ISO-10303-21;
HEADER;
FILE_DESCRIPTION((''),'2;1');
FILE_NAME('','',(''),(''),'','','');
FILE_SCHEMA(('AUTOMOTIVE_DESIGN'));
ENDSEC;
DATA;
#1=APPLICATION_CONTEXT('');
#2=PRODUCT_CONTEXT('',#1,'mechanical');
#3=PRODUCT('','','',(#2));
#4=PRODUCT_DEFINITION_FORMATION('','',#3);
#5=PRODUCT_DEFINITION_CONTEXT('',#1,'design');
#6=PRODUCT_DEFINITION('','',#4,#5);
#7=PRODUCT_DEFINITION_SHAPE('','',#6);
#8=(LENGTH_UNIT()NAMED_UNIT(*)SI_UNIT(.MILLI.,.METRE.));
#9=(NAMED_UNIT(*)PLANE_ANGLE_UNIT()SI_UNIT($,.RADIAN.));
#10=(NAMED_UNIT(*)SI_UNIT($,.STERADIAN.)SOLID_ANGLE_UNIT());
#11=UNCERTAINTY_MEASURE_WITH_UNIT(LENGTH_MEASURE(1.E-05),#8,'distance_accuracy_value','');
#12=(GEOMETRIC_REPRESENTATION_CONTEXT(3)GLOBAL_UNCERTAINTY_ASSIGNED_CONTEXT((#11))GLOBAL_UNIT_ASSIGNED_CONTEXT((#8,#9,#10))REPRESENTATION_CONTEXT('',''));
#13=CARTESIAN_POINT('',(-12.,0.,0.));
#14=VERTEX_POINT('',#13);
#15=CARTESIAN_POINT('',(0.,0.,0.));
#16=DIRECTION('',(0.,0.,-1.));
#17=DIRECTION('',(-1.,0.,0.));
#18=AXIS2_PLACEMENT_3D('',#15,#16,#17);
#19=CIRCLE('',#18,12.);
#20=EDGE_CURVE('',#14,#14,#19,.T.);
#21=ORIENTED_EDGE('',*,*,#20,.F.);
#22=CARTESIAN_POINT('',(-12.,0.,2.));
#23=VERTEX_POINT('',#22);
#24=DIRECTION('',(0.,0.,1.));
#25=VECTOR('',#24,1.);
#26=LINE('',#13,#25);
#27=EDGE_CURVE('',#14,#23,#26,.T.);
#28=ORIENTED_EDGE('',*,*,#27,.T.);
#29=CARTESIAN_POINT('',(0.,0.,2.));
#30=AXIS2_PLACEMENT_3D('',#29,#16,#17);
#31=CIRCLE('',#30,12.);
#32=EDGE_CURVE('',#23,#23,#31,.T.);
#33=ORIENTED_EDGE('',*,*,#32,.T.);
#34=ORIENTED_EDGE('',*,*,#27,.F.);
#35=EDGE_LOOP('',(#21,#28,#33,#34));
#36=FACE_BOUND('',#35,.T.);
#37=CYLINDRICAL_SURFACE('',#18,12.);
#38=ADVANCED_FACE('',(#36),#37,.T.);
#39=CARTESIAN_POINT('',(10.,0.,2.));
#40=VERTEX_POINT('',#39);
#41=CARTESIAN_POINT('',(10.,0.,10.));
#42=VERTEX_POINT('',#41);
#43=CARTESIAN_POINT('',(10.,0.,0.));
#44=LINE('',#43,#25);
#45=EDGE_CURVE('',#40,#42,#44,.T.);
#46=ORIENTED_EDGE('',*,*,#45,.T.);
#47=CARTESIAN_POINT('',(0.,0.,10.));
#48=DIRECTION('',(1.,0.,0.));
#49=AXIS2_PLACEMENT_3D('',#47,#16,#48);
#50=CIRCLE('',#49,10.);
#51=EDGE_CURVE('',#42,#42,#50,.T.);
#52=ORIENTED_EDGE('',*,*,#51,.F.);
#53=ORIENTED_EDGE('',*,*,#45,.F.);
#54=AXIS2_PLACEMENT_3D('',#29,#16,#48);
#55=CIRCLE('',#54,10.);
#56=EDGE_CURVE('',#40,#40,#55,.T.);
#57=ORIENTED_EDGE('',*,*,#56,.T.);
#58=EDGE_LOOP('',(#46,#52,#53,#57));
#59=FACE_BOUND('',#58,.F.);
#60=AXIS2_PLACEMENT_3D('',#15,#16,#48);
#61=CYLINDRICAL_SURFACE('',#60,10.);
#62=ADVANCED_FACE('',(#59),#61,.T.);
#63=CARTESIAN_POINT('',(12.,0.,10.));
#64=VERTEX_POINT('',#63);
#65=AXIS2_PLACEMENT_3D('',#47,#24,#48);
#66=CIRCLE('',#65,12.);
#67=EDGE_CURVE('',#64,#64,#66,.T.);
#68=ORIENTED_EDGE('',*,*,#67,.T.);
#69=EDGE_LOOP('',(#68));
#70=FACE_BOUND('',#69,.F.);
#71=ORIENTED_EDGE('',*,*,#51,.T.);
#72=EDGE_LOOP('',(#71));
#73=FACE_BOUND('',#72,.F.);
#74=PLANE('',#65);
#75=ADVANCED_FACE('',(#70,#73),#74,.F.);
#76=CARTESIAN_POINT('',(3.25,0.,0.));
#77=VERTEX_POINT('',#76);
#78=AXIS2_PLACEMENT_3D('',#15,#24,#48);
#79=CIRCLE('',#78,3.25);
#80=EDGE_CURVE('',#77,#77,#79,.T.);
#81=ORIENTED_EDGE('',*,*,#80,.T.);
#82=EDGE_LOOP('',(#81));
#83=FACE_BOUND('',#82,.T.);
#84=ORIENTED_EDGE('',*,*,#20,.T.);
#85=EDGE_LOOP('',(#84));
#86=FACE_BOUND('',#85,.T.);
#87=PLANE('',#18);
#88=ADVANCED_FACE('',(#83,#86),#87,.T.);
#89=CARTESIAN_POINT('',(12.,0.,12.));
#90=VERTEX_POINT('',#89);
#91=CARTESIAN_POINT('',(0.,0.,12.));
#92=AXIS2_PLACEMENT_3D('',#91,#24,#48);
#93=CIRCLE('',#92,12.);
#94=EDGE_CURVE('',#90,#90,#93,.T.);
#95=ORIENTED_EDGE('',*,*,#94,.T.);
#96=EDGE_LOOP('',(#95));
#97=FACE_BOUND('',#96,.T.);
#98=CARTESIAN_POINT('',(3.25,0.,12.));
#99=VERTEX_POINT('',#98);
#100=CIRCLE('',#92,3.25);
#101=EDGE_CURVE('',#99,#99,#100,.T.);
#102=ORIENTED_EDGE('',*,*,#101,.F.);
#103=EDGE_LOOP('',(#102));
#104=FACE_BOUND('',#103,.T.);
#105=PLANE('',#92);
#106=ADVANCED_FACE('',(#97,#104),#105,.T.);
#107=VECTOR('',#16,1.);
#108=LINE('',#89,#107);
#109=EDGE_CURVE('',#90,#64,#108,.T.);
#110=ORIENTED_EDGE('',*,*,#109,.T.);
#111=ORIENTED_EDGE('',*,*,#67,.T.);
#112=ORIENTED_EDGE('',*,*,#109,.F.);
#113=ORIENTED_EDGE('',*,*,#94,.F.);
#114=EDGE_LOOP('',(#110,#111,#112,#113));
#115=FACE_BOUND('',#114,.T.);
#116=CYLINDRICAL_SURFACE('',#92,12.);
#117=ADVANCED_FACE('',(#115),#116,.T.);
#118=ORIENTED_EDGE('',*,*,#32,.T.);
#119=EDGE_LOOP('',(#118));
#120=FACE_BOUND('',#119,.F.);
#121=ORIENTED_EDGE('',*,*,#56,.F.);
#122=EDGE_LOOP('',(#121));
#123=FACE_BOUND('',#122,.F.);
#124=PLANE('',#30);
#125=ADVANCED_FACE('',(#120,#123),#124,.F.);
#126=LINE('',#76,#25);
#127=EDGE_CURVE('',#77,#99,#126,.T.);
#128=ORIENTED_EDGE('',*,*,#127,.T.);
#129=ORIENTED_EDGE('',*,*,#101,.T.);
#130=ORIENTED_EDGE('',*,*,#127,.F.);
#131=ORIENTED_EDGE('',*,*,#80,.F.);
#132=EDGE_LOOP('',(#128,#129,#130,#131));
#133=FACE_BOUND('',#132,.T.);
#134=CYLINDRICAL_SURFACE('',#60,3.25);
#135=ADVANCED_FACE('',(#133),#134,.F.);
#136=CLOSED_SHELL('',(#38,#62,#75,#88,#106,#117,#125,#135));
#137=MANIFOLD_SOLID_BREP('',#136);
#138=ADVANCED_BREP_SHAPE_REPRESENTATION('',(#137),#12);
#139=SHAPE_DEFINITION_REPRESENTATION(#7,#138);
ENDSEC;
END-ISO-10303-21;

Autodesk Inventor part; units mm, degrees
ref_plane "YZ Plane" through (0, 0, 0) normal (1, 0, 0) x (0, 1, 0)
ref_plane "XZ Plane" through (0, 0, 0) normal (0, 1, 0) x (-1, 0, 0)
ref_plane "XY Plane" through (0, 0, 0) normal (0, 0, 1) x (1, 0, 0)
sketch "Sketch1" plane through (0, 0, 0) normal (0, 0, 1) x (1, 0, 0)
  circle A0 centre (0, 0) radius 10
  circle A1 centre (0, 0) radius 3.25
  dimension "d0" = 20
  dimension "d1" = 6.5
extrude "Extrusion1" add sketch "Sketch1" along normal blind 12
sketch "Sketch2" plane through (0, 0, 12) normal (0, 0, 1) x (1, 0, 0)
  circle A0 centre (0, 0) radius 12
  dimension "d4" = 24
extrude "Extrusion2" add sketch "Sketch2" against normal blind 2
sketch "Sketch3" plane through (0, 0, 12) normal (0, 0, 1) x (1, 0, 0)
  circle A0 centre (0, 0) radius 3.25
  dimension "d7" = 6.5
sketch "Sketch4" plane through (0, 0, 0) normal (0, 0, -1) x (-1, 0, 0)
  circle A0 centre (0, 0) radius 12
  circle A1 centre (0, 0) radius 10
  dimension "d8" = 24
extrude "Extrusion3" add sketch "Sketch4" against normal blind 2
extrude "Extrusion4" cut sketch "Sketch3" against normal through all
properties part number "poulie v2"
